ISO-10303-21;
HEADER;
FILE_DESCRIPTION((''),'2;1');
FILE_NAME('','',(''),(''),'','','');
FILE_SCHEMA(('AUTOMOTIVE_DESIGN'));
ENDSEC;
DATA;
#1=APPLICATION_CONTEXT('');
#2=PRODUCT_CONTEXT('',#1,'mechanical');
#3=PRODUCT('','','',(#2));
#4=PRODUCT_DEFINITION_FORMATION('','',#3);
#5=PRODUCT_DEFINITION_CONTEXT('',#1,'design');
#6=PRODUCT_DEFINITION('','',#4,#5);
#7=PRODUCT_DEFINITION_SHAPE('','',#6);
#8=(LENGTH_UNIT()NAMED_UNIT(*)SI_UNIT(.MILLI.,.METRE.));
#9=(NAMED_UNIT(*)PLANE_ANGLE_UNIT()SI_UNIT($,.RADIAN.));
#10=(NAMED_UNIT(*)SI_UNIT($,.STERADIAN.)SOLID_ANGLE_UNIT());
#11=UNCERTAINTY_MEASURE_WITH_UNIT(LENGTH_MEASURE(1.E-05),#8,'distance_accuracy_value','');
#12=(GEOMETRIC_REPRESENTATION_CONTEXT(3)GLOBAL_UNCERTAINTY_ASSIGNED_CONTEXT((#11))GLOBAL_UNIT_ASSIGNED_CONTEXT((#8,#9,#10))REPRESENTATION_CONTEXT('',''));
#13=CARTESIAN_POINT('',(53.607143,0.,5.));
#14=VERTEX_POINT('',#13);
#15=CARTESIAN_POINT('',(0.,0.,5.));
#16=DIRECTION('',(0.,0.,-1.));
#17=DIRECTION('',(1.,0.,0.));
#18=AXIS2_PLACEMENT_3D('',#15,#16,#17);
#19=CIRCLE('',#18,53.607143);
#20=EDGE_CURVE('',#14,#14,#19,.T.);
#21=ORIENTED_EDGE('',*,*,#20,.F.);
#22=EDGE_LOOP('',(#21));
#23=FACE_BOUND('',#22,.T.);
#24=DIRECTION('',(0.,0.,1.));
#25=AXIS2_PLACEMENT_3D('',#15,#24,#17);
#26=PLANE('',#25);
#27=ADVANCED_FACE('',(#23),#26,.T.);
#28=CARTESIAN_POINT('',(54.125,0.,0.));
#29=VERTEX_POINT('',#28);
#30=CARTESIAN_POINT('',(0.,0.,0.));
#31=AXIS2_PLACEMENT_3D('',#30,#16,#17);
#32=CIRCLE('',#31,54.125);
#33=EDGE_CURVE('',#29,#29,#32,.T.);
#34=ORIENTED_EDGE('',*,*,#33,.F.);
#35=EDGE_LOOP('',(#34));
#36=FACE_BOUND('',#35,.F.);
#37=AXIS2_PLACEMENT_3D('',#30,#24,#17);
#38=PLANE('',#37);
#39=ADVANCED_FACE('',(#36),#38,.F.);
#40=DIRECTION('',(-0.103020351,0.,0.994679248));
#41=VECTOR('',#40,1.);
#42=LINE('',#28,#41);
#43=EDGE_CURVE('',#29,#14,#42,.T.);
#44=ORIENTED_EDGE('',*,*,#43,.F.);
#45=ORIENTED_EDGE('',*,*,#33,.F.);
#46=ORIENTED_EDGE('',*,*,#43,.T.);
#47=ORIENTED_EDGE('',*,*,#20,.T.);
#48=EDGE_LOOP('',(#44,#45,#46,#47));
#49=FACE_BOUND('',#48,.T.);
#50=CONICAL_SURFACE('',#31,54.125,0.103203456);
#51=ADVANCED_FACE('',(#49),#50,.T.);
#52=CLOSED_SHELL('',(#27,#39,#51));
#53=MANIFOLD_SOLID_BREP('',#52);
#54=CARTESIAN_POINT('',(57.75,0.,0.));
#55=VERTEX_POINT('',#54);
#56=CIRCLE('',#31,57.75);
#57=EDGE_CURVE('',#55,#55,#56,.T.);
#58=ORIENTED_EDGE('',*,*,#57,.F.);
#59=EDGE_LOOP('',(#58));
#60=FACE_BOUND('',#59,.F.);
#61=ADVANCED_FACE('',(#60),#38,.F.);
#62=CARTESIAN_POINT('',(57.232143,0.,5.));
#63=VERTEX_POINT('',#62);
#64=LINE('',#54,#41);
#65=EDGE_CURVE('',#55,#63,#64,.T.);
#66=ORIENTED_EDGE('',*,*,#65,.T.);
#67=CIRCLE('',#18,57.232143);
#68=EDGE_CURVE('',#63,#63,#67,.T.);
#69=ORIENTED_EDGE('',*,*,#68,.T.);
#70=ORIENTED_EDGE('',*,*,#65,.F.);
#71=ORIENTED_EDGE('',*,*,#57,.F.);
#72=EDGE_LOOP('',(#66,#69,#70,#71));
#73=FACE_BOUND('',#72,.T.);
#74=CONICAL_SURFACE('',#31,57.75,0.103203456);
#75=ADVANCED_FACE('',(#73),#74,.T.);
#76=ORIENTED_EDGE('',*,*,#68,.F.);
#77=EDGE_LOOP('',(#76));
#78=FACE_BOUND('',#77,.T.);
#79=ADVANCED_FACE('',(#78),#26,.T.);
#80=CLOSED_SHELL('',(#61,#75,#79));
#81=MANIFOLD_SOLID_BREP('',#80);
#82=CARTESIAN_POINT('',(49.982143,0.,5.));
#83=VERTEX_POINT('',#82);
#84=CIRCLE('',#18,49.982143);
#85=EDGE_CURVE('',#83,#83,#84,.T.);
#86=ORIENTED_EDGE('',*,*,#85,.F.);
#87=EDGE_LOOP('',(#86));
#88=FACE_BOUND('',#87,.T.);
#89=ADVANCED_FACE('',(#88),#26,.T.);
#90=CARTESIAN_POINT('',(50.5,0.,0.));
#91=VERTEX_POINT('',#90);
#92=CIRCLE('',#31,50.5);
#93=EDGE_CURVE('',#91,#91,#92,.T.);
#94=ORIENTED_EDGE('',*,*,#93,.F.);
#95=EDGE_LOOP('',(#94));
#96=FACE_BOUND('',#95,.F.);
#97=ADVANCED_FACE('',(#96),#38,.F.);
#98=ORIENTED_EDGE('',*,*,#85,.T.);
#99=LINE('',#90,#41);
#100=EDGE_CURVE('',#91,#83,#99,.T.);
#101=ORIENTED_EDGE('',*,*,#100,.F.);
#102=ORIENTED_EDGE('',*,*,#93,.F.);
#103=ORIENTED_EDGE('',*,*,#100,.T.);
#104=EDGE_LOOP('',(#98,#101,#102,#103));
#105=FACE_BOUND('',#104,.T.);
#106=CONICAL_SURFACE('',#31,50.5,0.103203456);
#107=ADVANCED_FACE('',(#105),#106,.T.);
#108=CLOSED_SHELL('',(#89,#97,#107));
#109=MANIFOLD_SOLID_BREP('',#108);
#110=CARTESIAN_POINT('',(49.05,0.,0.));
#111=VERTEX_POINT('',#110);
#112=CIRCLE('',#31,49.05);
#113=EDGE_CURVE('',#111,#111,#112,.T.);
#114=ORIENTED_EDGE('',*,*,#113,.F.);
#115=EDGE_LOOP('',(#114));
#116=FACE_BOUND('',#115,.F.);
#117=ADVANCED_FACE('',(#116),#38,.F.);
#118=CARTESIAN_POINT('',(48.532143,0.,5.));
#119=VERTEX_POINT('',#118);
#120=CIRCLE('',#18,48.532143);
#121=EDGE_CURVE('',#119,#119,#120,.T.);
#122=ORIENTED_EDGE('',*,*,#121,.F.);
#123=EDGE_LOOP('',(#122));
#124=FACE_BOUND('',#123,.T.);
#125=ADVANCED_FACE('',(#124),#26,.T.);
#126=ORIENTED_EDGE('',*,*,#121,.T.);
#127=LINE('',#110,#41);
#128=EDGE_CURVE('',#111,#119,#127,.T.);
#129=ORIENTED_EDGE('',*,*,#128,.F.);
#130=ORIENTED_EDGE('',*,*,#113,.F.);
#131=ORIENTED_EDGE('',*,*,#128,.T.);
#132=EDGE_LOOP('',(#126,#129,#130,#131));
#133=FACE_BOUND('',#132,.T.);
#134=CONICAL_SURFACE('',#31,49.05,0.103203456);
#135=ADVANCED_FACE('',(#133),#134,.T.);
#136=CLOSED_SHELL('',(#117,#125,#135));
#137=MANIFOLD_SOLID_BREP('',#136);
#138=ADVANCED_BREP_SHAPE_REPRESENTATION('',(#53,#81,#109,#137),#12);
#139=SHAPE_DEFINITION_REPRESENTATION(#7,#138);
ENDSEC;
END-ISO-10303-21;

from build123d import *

# Parameters (mm, degrees)
F6_R      = 57.75
F7_DEPTH  = 5
F7_TAPER  = 5.9131224442
F8_R      = 54.125
F9_DEPTH  = 5
F9_TAPER  = 5.9131224442
F10_R     = 50.5
F11_DEPTH = 5
F11_TAPER = 5.9131224442
F12_R     = 49.05
F13_DEPTH = 5
F13_TAPER = 5.9131224442


with BuildPart() as f7:
    # F6 (on Top) → F7 (new body)
    with BuildSketch(Plane.XY):
        Circle(F6_R)
    extrude(amount=F7_DEPTH, taper=F7_TAPER)


with BuildPart() as f9:
    # F8 (on Top) → F9 (new body)
    with BuildSketch(Plane.XY):
        Circle(F8_R)
    extrude(amount=F9_DEPTH, taper=F9_TAPER)


with BuildPart() as f11:
    # F10 (on Top) → F11 (new body)
    with BuildSketch(Plane.XY):
        Circle(F10_R)
    extrude(amount=F11_DEPTH, taper=F11_TAPER)


with BuildPart() as f13:
    # F12 (on Top) → F13 (new body)
    with BuildSketch(Plane.XY):
        Circle(F12_R)
    extrude(amount=F13_DEPTH, taper=F13_TAPER)


solid = Compound([f7.part, f9.part, f11.part, f13.part])
